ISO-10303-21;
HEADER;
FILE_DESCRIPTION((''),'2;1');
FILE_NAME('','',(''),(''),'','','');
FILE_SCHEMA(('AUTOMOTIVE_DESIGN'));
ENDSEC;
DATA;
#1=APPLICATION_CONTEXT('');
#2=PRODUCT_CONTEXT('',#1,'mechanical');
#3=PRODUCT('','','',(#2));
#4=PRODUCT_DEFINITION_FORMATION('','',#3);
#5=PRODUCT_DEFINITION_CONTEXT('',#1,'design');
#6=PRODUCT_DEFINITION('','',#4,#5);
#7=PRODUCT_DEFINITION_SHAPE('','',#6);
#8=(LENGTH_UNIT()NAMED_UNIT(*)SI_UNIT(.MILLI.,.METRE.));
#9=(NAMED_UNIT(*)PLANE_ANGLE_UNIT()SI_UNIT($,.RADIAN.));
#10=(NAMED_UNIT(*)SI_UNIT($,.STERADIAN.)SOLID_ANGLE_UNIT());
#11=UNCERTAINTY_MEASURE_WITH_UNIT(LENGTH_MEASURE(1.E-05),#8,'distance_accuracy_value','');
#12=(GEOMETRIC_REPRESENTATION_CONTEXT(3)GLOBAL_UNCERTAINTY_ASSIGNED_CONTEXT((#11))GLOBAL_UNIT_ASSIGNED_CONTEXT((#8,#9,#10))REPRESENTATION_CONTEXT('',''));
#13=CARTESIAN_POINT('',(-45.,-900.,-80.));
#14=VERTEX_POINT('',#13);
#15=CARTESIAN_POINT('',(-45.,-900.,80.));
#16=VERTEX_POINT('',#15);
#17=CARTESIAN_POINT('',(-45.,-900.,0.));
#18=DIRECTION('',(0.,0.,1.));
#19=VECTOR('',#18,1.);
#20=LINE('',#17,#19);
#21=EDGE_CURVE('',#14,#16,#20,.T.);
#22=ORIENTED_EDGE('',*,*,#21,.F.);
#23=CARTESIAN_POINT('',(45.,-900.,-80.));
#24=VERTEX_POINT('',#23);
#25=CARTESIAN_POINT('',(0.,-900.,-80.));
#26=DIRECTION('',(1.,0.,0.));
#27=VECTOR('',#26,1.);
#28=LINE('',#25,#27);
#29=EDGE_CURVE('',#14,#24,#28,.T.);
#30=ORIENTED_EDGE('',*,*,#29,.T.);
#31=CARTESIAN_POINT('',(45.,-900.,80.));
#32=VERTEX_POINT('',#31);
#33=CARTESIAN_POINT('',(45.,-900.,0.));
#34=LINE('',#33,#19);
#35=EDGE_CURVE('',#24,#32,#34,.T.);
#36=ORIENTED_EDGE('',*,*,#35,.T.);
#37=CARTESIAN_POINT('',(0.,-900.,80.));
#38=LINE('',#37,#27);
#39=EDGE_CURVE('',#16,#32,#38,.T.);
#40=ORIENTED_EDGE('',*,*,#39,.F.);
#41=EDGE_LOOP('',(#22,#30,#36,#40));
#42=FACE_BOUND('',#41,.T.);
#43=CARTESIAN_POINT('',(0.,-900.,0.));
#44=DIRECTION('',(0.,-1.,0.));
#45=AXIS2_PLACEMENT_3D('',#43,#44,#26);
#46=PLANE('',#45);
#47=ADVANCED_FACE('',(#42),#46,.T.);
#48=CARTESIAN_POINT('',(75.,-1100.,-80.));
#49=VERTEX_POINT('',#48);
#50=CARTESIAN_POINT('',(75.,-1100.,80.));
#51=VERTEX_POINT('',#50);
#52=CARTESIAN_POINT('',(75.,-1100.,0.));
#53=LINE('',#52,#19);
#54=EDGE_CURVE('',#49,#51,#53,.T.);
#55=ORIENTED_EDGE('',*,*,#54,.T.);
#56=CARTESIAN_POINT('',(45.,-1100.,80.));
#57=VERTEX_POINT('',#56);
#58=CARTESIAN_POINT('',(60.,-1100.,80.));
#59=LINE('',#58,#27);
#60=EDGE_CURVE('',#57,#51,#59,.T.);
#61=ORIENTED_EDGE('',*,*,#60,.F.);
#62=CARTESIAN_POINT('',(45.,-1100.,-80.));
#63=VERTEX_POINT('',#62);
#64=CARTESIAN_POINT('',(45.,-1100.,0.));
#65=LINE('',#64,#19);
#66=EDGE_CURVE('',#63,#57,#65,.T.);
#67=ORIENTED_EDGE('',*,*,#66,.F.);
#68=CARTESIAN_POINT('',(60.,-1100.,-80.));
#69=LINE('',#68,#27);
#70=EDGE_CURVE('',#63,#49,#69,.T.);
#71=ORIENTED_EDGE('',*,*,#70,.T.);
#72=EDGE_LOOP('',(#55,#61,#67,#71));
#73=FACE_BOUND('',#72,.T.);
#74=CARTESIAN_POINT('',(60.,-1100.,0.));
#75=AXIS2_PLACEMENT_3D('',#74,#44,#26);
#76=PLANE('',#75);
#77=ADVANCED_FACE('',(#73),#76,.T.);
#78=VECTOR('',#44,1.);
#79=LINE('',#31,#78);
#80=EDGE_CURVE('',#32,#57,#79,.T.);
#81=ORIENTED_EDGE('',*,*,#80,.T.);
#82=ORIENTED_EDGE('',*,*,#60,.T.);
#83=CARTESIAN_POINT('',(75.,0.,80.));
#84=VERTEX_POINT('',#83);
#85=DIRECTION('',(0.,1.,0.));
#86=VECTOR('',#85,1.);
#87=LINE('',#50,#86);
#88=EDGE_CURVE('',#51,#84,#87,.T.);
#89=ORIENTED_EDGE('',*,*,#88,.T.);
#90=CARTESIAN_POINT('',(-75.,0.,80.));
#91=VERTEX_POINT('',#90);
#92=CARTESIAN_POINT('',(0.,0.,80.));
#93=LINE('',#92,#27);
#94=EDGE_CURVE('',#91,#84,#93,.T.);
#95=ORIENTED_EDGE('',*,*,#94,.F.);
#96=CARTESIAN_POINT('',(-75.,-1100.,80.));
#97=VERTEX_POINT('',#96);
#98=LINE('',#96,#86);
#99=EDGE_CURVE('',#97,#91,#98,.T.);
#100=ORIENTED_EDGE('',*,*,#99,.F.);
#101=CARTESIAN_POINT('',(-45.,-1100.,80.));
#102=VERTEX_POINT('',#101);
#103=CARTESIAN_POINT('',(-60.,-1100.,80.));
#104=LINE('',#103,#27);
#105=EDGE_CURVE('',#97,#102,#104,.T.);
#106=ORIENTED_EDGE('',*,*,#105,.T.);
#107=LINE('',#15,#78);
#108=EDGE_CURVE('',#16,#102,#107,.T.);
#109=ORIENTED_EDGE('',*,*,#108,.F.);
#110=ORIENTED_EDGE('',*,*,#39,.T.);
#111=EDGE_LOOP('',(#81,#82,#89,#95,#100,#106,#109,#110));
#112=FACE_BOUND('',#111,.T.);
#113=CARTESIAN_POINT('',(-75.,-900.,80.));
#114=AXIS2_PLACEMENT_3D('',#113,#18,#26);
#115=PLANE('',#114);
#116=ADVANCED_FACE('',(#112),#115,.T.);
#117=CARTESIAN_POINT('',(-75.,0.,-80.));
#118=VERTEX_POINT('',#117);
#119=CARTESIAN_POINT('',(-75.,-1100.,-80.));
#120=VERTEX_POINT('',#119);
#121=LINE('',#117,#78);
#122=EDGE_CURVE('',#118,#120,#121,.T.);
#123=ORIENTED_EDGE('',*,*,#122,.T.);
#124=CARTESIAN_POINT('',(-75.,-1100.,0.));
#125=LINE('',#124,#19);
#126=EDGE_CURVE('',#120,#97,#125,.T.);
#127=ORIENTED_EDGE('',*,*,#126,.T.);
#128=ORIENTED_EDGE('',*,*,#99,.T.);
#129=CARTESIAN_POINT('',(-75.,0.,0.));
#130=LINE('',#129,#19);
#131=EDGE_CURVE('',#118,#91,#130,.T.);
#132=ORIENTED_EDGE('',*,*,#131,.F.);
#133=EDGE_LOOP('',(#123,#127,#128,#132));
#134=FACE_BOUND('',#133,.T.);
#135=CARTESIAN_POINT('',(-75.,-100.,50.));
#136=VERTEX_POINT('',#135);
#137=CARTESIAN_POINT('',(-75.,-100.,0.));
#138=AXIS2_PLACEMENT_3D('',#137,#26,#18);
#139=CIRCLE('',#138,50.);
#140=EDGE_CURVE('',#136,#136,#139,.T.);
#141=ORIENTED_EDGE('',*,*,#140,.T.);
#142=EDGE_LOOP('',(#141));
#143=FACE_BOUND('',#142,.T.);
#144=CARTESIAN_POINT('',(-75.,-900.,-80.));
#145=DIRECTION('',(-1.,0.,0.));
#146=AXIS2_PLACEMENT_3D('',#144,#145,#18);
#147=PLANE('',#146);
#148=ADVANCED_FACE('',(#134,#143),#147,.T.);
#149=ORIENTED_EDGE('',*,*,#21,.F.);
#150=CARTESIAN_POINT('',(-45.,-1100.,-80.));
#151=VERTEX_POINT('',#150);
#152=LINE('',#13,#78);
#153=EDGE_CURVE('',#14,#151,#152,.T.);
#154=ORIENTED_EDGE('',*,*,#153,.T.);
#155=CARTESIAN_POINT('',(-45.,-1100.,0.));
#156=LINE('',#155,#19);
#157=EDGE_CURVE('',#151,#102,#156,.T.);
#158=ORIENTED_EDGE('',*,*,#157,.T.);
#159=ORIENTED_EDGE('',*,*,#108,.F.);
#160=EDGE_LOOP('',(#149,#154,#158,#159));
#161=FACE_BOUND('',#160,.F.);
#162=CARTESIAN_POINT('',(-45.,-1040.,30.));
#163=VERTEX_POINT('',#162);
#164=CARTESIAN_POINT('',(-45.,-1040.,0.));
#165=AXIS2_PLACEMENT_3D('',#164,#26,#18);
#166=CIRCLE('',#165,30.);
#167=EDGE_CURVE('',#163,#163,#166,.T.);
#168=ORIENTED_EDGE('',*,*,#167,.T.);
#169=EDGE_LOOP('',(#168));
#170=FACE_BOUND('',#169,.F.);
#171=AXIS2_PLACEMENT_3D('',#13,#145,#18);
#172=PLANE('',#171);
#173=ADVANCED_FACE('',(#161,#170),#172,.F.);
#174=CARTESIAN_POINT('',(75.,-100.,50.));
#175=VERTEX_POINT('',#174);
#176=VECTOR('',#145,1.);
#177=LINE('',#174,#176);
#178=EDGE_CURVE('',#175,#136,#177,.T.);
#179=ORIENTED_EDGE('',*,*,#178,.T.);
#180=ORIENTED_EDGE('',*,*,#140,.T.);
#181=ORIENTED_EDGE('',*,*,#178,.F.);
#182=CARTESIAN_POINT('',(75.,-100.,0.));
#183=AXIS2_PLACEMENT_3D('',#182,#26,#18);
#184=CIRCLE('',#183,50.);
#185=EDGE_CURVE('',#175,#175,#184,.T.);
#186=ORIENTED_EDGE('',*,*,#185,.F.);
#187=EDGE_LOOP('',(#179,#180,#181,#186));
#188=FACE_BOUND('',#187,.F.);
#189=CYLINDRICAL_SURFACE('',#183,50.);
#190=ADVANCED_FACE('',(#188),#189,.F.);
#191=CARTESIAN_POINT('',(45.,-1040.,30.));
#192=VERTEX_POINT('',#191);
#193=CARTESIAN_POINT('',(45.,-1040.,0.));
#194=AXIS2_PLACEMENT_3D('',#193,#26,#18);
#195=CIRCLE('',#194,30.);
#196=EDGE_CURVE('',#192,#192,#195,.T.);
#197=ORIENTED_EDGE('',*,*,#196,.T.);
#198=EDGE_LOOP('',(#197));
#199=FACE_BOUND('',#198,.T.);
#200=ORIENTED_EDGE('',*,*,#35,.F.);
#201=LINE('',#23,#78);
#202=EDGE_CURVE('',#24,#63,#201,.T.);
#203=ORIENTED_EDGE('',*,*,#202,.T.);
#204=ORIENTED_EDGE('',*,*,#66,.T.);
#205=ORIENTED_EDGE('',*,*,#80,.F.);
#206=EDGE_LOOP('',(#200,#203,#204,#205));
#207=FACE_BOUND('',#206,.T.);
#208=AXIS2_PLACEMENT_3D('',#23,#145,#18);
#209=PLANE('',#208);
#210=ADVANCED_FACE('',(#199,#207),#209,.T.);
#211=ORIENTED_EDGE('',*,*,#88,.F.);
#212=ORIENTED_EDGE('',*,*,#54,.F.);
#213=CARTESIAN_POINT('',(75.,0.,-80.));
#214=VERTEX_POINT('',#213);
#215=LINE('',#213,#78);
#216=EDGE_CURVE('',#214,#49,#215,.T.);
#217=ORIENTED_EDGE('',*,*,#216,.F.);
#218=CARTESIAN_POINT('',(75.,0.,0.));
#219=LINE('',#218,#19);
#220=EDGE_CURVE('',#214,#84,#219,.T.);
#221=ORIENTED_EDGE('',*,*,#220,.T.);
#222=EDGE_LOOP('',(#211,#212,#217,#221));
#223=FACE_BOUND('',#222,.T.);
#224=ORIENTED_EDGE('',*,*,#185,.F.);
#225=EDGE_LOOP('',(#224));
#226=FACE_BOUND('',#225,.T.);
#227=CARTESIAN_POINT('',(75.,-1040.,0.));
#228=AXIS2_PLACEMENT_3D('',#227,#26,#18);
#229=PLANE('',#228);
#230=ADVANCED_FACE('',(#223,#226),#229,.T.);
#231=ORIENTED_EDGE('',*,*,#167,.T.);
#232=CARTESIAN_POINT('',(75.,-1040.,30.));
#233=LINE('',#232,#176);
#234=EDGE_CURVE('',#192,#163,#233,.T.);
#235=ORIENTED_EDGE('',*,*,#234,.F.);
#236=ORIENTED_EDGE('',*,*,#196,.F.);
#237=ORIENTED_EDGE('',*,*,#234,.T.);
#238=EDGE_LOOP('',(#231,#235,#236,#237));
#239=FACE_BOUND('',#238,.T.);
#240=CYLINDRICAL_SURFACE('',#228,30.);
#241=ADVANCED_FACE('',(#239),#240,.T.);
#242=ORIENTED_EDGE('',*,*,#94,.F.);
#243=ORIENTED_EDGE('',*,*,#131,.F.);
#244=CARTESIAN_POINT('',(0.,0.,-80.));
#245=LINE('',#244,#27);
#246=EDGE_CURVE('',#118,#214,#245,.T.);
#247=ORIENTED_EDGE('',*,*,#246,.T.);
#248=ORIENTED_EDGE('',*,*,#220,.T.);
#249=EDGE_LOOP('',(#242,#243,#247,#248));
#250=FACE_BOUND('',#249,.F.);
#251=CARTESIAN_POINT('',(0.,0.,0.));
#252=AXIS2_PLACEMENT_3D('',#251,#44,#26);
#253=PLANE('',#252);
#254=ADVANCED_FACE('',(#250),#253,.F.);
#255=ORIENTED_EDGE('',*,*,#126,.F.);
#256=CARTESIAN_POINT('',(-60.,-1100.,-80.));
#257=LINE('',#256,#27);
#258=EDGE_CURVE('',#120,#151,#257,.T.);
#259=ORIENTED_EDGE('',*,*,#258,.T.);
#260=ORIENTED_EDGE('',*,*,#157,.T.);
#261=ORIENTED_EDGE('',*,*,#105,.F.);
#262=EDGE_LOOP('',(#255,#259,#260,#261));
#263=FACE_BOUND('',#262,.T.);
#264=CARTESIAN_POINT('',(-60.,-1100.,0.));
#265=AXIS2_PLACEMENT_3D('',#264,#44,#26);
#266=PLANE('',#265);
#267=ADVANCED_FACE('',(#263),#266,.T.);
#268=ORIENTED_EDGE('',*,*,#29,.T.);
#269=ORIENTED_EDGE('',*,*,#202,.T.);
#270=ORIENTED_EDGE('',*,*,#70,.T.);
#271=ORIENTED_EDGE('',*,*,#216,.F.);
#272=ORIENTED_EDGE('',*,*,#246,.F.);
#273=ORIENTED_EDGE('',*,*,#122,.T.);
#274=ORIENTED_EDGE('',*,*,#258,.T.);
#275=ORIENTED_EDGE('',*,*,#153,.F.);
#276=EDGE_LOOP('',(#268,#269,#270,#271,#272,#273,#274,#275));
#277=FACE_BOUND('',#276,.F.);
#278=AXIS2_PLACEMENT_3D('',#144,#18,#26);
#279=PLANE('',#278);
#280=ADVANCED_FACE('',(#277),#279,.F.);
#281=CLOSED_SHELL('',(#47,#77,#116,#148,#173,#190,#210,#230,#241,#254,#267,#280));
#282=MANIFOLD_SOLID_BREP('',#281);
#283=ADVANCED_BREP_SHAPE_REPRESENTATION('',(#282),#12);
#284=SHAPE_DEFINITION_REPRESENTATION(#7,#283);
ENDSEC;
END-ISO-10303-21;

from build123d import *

# Parameters (mm, degrees)
SKETCH_W     = 150
SKETCH_H     = 160
PAD_DEPTH    = 900
SKETCH001_R  = 50
HOLE_DEPTH   = 150
HOLE_TIPS_R  = 50
SKETCH002_W  = 30
SKETCH002_H  = 160
PAD001_DEPTH = 200
SKETCH003_R  = 30
PAD002_DEPTH = 150


with BuildPart() as part:
    # Sketch → Pad (new body)
    with BuildSketch(Plane.XZ):
        Rectangle(SKETCH_W, SKETCH_H)
    extrude(amount=PAD_DEPTH)

    # Sketch001 (on Face3 of Pad) → Hole (cut)
    with BuildSketch(Plane(origin=(75, 0, 0), x_dir=(0, 0, 1), z_dir=(1, 0, 0))):
        with Locations((0, 100)):
            Circle(SKETCH001_R)
    extrude(amount=-HOLE_DEPTH, mode=Mode.SUBTRACT)

    # Hole tips → Hole tip 1 section 0
    with BuildSketch(Plane(origin=(-75, 0, 0), x_dir=(0, 0, 1), z_dir=(1, 0, 0)), mode=Mode.PRIVATE) as hole_tip_1_s0:
        with Locations((0, 100)):
            Circle(HOLE_TIPS_R)
    loft([hole_tip_1_s0.sketch, Vertex(-105.043031, -100, 0)], mode=Mode.SUBTRACT)

    # Sketch002 (on Face4 of Hole) → Pad001 (join)
    with BuildSketch(Plane.XZ.offset(900)):
        with Locations((-60, 0)):
            Rectangle(SKETCH002_W, SKETCH002_H)
        with Locations((60, 0)):
            Rectangle(SKETCH002_W, SKETCH002_H)
    extrude(amount=PAD001_DEPTH)

    # Sketch003 (on Face11 of Pad001) → Pad002 (join)
    with BuildSketch(Plane(origin=(75, 0, 0), x_dir=(0, 0, 1), z_dir=(1, 0, 0))):
        with Locations((0, 1040)):
            Circle(SKETCH003_R)
    extrude(amount=-PAD002_DEPTH)


solid = part.part
